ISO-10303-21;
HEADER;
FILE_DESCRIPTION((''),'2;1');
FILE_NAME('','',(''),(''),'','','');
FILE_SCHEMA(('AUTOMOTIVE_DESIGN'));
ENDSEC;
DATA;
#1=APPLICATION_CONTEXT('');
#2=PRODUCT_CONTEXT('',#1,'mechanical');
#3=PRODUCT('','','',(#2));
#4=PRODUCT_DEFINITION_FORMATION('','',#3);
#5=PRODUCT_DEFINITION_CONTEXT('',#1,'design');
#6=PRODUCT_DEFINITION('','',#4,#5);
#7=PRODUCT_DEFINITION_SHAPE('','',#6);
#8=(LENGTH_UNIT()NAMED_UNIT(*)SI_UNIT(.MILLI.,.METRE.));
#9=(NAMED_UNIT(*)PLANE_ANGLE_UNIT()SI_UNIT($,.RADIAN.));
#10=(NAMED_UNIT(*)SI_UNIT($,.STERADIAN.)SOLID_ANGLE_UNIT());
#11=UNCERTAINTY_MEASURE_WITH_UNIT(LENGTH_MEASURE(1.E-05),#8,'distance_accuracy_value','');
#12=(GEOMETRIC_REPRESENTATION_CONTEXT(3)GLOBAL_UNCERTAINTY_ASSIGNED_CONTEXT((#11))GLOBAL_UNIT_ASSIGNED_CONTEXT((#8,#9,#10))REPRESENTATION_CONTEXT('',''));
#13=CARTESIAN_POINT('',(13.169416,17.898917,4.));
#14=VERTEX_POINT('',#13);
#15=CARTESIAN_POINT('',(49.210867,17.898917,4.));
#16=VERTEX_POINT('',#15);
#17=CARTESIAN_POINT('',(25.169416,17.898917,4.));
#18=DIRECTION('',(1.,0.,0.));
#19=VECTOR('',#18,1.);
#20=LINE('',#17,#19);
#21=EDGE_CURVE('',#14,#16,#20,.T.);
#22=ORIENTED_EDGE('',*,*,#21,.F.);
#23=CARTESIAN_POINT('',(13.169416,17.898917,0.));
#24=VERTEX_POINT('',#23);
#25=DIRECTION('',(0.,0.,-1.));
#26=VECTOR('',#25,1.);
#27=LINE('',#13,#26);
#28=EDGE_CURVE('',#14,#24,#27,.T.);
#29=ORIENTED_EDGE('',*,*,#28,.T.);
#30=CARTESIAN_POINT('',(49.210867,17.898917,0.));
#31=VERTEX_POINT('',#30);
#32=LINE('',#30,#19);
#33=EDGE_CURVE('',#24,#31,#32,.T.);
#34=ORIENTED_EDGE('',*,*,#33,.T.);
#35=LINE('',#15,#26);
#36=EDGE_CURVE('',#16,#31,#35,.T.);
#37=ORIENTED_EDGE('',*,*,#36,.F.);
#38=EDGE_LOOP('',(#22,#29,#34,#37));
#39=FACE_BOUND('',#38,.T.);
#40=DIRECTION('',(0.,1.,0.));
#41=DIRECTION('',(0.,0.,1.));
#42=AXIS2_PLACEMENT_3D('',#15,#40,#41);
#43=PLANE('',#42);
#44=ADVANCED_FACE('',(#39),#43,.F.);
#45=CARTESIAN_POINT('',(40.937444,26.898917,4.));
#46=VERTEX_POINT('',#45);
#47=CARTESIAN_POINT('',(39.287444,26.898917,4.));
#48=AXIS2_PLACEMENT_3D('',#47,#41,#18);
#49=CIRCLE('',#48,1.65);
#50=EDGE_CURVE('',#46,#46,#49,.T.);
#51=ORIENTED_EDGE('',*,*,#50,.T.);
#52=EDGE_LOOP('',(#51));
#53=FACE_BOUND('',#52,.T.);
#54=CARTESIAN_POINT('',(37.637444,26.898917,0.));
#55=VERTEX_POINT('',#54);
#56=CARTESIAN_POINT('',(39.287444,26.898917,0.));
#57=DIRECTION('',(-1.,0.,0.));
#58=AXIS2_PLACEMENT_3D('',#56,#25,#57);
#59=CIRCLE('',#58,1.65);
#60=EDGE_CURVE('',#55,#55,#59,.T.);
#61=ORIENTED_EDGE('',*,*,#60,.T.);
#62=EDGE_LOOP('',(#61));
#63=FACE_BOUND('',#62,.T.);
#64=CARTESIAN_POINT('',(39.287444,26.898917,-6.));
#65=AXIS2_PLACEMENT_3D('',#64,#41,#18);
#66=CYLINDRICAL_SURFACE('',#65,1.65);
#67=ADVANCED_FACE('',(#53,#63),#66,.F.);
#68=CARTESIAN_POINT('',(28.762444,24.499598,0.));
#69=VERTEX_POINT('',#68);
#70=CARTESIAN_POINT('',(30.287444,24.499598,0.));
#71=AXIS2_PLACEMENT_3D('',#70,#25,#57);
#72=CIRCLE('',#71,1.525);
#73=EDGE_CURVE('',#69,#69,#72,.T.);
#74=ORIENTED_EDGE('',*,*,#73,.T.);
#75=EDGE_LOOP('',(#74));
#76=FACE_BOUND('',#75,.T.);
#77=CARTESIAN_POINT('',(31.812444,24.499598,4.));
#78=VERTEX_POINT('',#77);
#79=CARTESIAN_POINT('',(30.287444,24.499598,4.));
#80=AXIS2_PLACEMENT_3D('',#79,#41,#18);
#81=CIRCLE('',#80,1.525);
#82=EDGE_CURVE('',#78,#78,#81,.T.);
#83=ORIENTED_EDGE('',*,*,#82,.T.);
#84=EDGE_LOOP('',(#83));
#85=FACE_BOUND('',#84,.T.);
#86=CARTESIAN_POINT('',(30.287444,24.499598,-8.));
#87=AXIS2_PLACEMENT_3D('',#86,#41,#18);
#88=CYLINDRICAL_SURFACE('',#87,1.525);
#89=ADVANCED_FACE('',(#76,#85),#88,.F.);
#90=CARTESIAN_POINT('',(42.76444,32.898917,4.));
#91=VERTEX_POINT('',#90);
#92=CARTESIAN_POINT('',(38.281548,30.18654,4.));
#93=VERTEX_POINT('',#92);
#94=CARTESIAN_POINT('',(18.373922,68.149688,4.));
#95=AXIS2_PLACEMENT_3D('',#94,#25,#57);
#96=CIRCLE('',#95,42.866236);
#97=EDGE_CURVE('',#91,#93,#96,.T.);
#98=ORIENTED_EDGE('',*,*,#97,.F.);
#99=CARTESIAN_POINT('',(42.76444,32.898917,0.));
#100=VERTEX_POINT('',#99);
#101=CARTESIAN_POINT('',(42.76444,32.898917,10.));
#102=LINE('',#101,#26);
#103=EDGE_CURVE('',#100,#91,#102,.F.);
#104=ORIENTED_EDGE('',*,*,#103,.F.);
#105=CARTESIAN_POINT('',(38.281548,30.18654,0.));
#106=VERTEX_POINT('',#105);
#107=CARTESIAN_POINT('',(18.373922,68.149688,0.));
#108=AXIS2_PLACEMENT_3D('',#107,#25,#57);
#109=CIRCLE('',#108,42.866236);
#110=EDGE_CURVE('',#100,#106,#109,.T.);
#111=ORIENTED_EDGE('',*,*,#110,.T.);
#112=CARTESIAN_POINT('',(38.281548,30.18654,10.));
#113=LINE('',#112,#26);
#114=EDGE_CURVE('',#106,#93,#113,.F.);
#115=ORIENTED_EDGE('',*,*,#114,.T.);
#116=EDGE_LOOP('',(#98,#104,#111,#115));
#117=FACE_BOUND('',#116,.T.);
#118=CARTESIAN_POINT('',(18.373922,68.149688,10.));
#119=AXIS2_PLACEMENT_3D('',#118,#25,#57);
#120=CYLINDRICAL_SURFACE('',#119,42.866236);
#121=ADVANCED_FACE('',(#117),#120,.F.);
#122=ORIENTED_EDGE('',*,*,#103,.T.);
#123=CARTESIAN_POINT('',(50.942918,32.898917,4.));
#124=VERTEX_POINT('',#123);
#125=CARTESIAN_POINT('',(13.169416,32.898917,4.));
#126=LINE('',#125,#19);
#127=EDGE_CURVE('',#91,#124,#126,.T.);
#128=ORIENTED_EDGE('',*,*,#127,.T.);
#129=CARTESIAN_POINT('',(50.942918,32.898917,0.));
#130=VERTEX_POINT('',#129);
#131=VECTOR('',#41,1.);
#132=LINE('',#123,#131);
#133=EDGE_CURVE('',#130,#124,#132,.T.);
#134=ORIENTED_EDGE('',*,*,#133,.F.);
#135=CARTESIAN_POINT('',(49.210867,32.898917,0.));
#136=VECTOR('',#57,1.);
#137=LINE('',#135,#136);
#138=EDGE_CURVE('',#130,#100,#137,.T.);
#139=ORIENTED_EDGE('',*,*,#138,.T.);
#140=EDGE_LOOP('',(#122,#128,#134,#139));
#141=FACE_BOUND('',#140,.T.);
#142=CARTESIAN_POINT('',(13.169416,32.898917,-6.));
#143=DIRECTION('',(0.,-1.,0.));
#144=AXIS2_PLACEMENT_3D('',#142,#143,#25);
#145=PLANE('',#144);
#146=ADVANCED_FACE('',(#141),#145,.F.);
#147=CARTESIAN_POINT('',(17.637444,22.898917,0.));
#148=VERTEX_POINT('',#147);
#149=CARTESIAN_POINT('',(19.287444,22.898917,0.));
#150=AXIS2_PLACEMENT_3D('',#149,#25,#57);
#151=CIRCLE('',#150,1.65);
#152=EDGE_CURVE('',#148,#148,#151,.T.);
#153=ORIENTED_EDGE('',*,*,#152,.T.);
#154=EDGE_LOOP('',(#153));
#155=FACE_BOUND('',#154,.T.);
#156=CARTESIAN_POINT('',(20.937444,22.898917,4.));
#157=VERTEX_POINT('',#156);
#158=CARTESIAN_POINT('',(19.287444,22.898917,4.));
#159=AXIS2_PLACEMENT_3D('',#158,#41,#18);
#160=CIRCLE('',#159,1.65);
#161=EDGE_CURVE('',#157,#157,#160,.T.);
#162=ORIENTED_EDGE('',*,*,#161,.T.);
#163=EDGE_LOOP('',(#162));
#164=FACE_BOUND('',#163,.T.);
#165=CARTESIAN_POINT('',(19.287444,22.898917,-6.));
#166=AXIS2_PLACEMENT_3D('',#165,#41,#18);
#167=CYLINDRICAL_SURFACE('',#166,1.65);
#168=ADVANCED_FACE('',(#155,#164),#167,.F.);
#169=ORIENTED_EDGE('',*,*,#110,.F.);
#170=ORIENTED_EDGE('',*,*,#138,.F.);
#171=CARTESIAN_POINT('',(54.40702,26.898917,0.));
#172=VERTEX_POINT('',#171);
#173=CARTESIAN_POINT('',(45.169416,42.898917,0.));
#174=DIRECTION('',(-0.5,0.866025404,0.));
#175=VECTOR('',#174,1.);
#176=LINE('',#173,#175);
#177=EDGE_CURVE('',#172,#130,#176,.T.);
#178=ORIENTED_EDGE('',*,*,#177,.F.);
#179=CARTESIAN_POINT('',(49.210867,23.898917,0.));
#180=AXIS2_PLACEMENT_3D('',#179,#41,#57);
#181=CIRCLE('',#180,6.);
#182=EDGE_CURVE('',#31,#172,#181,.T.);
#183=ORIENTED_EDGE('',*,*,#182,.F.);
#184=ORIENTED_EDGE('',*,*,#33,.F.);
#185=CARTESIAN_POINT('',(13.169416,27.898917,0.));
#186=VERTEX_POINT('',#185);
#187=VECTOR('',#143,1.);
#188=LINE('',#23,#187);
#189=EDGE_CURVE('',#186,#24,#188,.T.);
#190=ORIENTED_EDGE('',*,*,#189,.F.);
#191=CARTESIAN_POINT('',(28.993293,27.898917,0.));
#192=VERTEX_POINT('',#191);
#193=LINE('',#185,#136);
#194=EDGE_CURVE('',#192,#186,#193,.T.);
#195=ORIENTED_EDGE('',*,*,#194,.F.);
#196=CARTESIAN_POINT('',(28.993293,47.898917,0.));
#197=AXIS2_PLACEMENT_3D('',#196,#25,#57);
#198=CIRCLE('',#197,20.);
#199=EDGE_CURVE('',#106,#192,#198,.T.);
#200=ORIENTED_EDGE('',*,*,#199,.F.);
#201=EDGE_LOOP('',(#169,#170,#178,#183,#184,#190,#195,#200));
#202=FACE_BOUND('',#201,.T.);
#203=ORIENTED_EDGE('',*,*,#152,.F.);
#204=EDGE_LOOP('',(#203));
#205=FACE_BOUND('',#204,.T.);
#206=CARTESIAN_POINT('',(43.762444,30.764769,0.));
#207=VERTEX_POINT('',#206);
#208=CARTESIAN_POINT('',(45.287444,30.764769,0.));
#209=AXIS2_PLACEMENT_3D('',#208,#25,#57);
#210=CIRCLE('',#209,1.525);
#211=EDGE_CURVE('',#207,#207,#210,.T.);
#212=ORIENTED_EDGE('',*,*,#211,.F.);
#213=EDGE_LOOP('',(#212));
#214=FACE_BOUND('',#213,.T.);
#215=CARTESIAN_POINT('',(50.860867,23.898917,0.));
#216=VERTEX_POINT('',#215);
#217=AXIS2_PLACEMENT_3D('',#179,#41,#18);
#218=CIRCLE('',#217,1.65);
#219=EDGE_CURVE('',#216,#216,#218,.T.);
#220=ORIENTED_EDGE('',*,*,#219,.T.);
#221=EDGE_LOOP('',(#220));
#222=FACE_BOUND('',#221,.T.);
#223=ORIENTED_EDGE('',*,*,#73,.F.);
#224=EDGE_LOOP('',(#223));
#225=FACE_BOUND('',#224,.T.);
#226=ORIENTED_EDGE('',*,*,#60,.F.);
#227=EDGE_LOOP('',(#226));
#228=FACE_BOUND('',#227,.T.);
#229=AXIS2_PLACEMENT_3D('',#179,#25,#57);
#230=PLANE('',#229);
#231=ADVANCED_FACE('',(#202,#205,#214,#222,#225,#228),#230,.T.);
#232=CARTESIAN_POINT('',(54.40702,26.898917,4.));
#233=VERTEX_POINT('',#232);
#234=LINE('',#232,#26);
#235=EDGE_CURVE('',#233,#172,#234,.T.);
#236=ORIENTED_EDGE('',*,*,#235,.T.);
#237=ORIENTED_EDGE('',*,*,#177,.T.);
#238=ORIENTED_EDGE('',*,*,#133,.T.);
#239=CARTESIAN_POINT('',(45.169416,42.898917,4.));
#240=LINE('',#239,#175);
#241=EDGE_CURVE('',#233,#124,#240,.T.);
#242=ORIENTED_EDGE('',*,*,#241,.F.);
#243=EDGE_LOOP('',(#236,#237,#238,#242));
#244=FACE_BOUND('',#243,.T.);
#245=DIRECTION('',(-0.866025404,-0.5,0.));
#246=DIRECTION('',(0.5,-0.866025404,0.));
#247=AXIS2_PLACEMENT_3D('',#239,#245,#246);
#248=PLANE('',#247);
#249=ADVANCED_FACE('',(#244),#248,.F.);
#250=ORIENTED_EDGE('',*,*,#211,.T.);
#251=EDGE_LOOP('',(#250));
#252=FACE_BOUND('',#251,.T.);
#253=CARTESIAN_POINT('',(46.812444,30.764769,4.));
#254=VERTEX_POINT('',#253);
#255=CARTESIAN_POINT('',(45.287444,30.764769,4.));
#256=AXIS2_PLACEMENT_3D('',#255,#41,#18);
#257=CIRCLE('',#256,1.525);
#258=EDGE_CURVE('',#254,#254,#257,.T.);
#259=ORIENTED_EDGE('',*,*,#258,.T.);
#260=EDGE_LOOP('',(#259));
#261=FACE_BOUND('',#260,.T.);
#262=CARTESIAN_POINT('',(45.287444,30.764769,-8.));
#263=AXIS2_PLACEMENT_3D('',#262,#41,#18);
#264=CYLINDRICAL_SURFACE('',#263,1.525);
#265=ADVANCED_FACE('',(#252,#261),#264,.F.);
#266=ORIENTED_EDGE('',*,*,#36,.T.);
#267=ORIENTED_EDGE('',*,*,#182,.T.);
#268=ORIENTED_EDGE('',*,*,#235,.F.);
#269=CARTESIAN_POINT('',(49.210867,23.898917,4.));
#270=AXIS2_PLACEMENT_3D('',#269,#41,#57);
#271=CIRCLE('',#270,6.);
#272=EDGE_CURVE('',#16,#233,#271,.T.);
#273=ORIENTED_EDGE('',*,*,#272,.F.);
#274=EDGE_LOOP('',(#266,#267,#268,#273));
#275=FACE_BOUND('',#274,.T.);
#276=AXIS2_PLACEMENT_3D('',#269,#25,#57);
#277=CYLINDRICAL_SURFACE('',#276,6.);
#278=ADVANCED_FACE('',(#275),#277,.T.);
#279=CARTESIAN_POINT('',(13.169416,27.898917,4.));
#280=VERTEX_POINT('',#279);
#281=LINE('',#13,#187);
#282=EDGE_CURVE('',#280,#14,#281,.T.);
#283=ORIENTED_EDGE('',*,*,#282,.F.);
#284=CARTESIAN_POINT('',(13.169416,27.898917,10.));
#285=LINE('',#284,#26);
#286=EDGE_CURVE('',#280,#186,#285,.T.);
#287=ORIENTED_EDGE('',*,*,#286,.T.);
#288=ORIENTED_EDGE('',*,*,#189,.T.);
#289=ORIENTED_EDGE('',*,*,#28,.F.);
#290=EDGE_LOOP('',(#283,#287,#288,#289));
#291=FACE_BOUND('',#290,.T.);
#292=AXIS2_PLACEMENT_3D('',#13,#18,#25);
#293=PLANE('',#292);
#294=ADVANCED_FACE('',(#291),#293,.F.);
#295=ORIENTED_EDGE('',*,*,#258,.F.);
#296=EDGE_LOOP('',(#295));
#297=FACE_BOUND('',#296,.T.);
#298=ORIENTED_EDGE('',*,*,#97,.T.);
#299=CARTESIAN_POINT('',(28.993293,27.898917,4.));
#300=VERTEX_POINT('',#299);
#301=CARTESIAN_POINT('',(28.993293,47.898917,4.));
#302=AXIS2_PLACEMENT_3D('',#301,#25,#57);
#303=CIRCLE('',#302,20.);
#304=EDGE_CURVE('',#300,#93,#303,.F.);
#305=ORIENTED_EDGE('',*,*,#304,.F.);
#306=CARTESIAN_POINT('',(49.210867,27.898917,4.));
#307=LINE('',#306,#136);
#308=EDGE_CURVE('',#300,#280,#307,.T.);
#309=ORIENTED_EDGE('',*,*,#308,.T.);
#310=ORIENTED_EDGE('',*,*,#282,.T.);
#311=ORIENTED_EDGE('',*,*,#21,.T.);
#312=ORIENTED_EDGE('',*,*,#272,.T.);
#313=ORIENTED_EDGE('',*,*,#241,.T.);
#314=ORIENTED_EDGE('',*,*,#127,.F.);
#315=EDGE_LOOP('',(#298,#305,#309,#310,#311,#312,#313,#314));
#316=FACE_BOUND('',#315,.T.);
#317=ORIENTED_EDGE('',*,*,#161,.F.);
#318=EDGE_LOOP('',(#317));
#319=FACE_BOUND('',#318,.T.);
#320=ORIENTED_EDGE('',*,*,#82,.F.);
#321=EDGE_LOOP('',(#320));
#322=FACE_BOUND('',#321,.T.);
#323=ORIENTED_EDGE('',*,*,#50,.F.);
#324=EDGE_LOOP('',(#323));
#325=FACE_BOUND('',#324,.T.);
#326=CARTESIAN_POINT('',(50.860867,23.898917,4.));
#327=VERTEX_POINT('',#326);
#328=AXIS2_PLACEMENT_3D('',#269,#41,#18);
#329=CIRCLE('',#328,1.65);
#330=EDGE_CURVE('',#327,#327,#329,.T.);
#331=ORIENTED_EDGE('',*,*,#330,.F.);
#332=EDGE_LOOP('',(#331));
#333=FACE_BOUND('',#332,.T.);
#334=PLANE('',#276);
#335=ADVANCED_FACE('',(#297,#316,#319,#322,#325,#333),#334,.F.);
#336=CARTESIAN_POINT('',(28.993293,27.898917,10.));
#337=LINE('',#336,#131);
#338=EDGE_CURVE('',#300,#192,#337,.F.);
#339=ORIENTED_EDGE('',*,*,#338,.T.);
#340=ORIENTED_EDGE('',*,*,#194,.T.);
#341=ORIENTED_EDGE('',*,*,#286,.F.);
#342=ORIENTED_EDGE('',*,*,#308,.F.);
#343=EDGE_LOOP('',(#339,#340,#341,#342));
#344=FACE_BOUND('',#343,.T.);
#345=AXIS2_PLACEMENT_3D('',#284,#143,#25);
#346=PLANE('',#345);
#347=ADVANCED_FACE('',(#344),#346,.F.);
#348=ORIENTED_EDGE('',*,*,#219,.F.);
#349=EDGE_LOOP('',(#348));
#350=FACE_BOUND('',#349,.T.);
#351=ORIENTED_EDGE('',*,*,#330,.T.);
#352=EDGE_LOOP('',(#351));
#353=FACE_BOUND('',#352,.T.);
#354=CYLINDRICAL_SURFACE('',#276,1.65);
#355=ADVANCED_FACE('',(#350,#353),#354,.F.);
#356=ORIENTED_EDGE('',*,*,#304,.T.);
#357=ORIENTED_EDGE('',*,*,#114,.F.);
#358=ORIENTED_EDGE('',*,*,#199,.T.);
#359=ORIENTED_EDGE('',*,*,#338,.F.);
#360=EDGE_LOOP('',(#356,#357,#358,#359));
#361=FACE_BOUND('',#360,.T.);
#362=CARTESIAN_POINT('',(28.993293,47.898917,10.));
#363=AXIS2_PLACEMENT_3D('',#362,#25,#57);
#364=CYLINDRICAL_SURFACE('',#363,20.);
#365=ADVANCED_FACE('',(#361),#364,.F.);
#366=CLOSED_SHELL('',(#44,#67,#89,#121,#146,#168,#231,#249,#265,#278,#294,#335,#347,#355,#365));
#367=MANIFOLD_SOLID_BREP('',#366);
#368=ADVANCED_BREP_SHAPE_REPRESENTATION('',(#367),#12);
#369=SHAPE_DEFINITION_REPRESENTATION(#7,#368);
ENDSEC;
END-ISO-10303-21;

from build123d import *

# Parameters (mm, degrees)
SKETCH_1_R          = 1.65
EXTRUDE_1_DEPTH     = 4
SKETCH_2_W          = 37.773502691
SKETCH_2_H          = 11.965737329
CUT_EXTRUDE_1_DEPTH = 10
SKETCH_4_R          = 1.65
CUT_EXTRUDE_3_DEPTH = 10
CUT_EXTRUDE_2_DEPTH = 10
FILLET_1_R          = 20
SKETCH_5_R          = 1.525
CUT_EXTRUDE_4_DEPTH = 12


with BuildPart() as part:
    # 草图1 → 凸台-拉伸1 (new body)
    with BuildSketch(Plane.XY):
        with BuildLine():
            Line((13.169415516, 42.898917412), (45.169415516, 42.898917412))
            Line((45.169415516, 42.898917412), (54.407019823, 26.898917412))
            ThreePointArc((54.407019823, 26.898917412), (54.407019823, 20.898917412), (49.2108674, 17.898917412))
            Line((49.2108674, 17.898917412), (25.169415516, 17.898917412))
            Line((25.169415516, 17.898917412), (13.169415516, 17.898917412))
            Line((13.169415516, 17.898917412), (13.169415516, 42.898917412))
        make_face()
        with Locations((49.2108674, 23.898917412)):
            Circle(SKETCH_1_R, mode=Mode.SUBTRACT)
    extrude(amount=EXTRUDE_1_DEPTH)

    # 草图2 → 切除-拉伸1 (cut)
    with BuildSketch(Plane.XY.offset(4)):
        with Locations((32.056166862, 38.881786077)):
            Rectangle(SKETCH_2_W, SKETCH_2_H)
    extrude(amount=-CUT_EXTRUDE_1_DEPTH, mode=Mode.SUBTRACT)

    # 草图4 → 切除-拉伸3 (cut)
    with BuildSketch(Plane.XY.offset(4)):
        with Locations((19.287444113, 22.898917412)):
            Circle(SKETCH_4_R)
        with Locations((39.287444113, 26.898917412)):
            Circle(SKETCH_4_R)
    extrude(amount=-CUT_EXTRUDE_3_DEPTH, mode=Mode.SUBTRACT)

    # 草图3 → 切除-拉伸2 (cut)
    with BuildSketch(Plane(origin=(0, 0, 0), x_dir=(-1, 0, 0), z_dir=(0, 0, -1))):
        with BuildLine():
            Line((-13.169415516, 27.898917412), (-33.118062206, 27.898917412))
            ThreePointArc((-33.118062206, 27.898917412), (-38.100309763, 30.092049708), (-42.764440301, 32.898917412))
            Line((-42.764440301, 32.898917412), (-13.169415516, 32.898917412))
            Line((-13.169415516, 32.898917412), (-13.169415516, 27.898917412))
        make_face()
    extrude(amount=-CUT_EXTRUDE_2_DEPTH, mode=Mode.SUBTRACT)

    # 圆角1
    fillet_1_edges = [part.edges().sort_by_distance(p)[0] for p in [
        (33.118062206, 27.898917412, 2),
    ]]
    fillet(fillet_1_edges, radius=FILLET_1_R)

    # 草图5 → 切除-拉伸4 (cut)
    with BuildSketch(Plane.XY.offset(4)):
        with Locations((30.287444113, 24.499597572)):
            Circle(SKETCH_5_R)
        with Locations((45.287444113, 30.764768776)):
            Circle(SKETCH_5_R)
    extrude(amount=-CUT_EXTRUDE_4_DEPTH, mode=Mode.SUBTRACT)


solid = part.part
